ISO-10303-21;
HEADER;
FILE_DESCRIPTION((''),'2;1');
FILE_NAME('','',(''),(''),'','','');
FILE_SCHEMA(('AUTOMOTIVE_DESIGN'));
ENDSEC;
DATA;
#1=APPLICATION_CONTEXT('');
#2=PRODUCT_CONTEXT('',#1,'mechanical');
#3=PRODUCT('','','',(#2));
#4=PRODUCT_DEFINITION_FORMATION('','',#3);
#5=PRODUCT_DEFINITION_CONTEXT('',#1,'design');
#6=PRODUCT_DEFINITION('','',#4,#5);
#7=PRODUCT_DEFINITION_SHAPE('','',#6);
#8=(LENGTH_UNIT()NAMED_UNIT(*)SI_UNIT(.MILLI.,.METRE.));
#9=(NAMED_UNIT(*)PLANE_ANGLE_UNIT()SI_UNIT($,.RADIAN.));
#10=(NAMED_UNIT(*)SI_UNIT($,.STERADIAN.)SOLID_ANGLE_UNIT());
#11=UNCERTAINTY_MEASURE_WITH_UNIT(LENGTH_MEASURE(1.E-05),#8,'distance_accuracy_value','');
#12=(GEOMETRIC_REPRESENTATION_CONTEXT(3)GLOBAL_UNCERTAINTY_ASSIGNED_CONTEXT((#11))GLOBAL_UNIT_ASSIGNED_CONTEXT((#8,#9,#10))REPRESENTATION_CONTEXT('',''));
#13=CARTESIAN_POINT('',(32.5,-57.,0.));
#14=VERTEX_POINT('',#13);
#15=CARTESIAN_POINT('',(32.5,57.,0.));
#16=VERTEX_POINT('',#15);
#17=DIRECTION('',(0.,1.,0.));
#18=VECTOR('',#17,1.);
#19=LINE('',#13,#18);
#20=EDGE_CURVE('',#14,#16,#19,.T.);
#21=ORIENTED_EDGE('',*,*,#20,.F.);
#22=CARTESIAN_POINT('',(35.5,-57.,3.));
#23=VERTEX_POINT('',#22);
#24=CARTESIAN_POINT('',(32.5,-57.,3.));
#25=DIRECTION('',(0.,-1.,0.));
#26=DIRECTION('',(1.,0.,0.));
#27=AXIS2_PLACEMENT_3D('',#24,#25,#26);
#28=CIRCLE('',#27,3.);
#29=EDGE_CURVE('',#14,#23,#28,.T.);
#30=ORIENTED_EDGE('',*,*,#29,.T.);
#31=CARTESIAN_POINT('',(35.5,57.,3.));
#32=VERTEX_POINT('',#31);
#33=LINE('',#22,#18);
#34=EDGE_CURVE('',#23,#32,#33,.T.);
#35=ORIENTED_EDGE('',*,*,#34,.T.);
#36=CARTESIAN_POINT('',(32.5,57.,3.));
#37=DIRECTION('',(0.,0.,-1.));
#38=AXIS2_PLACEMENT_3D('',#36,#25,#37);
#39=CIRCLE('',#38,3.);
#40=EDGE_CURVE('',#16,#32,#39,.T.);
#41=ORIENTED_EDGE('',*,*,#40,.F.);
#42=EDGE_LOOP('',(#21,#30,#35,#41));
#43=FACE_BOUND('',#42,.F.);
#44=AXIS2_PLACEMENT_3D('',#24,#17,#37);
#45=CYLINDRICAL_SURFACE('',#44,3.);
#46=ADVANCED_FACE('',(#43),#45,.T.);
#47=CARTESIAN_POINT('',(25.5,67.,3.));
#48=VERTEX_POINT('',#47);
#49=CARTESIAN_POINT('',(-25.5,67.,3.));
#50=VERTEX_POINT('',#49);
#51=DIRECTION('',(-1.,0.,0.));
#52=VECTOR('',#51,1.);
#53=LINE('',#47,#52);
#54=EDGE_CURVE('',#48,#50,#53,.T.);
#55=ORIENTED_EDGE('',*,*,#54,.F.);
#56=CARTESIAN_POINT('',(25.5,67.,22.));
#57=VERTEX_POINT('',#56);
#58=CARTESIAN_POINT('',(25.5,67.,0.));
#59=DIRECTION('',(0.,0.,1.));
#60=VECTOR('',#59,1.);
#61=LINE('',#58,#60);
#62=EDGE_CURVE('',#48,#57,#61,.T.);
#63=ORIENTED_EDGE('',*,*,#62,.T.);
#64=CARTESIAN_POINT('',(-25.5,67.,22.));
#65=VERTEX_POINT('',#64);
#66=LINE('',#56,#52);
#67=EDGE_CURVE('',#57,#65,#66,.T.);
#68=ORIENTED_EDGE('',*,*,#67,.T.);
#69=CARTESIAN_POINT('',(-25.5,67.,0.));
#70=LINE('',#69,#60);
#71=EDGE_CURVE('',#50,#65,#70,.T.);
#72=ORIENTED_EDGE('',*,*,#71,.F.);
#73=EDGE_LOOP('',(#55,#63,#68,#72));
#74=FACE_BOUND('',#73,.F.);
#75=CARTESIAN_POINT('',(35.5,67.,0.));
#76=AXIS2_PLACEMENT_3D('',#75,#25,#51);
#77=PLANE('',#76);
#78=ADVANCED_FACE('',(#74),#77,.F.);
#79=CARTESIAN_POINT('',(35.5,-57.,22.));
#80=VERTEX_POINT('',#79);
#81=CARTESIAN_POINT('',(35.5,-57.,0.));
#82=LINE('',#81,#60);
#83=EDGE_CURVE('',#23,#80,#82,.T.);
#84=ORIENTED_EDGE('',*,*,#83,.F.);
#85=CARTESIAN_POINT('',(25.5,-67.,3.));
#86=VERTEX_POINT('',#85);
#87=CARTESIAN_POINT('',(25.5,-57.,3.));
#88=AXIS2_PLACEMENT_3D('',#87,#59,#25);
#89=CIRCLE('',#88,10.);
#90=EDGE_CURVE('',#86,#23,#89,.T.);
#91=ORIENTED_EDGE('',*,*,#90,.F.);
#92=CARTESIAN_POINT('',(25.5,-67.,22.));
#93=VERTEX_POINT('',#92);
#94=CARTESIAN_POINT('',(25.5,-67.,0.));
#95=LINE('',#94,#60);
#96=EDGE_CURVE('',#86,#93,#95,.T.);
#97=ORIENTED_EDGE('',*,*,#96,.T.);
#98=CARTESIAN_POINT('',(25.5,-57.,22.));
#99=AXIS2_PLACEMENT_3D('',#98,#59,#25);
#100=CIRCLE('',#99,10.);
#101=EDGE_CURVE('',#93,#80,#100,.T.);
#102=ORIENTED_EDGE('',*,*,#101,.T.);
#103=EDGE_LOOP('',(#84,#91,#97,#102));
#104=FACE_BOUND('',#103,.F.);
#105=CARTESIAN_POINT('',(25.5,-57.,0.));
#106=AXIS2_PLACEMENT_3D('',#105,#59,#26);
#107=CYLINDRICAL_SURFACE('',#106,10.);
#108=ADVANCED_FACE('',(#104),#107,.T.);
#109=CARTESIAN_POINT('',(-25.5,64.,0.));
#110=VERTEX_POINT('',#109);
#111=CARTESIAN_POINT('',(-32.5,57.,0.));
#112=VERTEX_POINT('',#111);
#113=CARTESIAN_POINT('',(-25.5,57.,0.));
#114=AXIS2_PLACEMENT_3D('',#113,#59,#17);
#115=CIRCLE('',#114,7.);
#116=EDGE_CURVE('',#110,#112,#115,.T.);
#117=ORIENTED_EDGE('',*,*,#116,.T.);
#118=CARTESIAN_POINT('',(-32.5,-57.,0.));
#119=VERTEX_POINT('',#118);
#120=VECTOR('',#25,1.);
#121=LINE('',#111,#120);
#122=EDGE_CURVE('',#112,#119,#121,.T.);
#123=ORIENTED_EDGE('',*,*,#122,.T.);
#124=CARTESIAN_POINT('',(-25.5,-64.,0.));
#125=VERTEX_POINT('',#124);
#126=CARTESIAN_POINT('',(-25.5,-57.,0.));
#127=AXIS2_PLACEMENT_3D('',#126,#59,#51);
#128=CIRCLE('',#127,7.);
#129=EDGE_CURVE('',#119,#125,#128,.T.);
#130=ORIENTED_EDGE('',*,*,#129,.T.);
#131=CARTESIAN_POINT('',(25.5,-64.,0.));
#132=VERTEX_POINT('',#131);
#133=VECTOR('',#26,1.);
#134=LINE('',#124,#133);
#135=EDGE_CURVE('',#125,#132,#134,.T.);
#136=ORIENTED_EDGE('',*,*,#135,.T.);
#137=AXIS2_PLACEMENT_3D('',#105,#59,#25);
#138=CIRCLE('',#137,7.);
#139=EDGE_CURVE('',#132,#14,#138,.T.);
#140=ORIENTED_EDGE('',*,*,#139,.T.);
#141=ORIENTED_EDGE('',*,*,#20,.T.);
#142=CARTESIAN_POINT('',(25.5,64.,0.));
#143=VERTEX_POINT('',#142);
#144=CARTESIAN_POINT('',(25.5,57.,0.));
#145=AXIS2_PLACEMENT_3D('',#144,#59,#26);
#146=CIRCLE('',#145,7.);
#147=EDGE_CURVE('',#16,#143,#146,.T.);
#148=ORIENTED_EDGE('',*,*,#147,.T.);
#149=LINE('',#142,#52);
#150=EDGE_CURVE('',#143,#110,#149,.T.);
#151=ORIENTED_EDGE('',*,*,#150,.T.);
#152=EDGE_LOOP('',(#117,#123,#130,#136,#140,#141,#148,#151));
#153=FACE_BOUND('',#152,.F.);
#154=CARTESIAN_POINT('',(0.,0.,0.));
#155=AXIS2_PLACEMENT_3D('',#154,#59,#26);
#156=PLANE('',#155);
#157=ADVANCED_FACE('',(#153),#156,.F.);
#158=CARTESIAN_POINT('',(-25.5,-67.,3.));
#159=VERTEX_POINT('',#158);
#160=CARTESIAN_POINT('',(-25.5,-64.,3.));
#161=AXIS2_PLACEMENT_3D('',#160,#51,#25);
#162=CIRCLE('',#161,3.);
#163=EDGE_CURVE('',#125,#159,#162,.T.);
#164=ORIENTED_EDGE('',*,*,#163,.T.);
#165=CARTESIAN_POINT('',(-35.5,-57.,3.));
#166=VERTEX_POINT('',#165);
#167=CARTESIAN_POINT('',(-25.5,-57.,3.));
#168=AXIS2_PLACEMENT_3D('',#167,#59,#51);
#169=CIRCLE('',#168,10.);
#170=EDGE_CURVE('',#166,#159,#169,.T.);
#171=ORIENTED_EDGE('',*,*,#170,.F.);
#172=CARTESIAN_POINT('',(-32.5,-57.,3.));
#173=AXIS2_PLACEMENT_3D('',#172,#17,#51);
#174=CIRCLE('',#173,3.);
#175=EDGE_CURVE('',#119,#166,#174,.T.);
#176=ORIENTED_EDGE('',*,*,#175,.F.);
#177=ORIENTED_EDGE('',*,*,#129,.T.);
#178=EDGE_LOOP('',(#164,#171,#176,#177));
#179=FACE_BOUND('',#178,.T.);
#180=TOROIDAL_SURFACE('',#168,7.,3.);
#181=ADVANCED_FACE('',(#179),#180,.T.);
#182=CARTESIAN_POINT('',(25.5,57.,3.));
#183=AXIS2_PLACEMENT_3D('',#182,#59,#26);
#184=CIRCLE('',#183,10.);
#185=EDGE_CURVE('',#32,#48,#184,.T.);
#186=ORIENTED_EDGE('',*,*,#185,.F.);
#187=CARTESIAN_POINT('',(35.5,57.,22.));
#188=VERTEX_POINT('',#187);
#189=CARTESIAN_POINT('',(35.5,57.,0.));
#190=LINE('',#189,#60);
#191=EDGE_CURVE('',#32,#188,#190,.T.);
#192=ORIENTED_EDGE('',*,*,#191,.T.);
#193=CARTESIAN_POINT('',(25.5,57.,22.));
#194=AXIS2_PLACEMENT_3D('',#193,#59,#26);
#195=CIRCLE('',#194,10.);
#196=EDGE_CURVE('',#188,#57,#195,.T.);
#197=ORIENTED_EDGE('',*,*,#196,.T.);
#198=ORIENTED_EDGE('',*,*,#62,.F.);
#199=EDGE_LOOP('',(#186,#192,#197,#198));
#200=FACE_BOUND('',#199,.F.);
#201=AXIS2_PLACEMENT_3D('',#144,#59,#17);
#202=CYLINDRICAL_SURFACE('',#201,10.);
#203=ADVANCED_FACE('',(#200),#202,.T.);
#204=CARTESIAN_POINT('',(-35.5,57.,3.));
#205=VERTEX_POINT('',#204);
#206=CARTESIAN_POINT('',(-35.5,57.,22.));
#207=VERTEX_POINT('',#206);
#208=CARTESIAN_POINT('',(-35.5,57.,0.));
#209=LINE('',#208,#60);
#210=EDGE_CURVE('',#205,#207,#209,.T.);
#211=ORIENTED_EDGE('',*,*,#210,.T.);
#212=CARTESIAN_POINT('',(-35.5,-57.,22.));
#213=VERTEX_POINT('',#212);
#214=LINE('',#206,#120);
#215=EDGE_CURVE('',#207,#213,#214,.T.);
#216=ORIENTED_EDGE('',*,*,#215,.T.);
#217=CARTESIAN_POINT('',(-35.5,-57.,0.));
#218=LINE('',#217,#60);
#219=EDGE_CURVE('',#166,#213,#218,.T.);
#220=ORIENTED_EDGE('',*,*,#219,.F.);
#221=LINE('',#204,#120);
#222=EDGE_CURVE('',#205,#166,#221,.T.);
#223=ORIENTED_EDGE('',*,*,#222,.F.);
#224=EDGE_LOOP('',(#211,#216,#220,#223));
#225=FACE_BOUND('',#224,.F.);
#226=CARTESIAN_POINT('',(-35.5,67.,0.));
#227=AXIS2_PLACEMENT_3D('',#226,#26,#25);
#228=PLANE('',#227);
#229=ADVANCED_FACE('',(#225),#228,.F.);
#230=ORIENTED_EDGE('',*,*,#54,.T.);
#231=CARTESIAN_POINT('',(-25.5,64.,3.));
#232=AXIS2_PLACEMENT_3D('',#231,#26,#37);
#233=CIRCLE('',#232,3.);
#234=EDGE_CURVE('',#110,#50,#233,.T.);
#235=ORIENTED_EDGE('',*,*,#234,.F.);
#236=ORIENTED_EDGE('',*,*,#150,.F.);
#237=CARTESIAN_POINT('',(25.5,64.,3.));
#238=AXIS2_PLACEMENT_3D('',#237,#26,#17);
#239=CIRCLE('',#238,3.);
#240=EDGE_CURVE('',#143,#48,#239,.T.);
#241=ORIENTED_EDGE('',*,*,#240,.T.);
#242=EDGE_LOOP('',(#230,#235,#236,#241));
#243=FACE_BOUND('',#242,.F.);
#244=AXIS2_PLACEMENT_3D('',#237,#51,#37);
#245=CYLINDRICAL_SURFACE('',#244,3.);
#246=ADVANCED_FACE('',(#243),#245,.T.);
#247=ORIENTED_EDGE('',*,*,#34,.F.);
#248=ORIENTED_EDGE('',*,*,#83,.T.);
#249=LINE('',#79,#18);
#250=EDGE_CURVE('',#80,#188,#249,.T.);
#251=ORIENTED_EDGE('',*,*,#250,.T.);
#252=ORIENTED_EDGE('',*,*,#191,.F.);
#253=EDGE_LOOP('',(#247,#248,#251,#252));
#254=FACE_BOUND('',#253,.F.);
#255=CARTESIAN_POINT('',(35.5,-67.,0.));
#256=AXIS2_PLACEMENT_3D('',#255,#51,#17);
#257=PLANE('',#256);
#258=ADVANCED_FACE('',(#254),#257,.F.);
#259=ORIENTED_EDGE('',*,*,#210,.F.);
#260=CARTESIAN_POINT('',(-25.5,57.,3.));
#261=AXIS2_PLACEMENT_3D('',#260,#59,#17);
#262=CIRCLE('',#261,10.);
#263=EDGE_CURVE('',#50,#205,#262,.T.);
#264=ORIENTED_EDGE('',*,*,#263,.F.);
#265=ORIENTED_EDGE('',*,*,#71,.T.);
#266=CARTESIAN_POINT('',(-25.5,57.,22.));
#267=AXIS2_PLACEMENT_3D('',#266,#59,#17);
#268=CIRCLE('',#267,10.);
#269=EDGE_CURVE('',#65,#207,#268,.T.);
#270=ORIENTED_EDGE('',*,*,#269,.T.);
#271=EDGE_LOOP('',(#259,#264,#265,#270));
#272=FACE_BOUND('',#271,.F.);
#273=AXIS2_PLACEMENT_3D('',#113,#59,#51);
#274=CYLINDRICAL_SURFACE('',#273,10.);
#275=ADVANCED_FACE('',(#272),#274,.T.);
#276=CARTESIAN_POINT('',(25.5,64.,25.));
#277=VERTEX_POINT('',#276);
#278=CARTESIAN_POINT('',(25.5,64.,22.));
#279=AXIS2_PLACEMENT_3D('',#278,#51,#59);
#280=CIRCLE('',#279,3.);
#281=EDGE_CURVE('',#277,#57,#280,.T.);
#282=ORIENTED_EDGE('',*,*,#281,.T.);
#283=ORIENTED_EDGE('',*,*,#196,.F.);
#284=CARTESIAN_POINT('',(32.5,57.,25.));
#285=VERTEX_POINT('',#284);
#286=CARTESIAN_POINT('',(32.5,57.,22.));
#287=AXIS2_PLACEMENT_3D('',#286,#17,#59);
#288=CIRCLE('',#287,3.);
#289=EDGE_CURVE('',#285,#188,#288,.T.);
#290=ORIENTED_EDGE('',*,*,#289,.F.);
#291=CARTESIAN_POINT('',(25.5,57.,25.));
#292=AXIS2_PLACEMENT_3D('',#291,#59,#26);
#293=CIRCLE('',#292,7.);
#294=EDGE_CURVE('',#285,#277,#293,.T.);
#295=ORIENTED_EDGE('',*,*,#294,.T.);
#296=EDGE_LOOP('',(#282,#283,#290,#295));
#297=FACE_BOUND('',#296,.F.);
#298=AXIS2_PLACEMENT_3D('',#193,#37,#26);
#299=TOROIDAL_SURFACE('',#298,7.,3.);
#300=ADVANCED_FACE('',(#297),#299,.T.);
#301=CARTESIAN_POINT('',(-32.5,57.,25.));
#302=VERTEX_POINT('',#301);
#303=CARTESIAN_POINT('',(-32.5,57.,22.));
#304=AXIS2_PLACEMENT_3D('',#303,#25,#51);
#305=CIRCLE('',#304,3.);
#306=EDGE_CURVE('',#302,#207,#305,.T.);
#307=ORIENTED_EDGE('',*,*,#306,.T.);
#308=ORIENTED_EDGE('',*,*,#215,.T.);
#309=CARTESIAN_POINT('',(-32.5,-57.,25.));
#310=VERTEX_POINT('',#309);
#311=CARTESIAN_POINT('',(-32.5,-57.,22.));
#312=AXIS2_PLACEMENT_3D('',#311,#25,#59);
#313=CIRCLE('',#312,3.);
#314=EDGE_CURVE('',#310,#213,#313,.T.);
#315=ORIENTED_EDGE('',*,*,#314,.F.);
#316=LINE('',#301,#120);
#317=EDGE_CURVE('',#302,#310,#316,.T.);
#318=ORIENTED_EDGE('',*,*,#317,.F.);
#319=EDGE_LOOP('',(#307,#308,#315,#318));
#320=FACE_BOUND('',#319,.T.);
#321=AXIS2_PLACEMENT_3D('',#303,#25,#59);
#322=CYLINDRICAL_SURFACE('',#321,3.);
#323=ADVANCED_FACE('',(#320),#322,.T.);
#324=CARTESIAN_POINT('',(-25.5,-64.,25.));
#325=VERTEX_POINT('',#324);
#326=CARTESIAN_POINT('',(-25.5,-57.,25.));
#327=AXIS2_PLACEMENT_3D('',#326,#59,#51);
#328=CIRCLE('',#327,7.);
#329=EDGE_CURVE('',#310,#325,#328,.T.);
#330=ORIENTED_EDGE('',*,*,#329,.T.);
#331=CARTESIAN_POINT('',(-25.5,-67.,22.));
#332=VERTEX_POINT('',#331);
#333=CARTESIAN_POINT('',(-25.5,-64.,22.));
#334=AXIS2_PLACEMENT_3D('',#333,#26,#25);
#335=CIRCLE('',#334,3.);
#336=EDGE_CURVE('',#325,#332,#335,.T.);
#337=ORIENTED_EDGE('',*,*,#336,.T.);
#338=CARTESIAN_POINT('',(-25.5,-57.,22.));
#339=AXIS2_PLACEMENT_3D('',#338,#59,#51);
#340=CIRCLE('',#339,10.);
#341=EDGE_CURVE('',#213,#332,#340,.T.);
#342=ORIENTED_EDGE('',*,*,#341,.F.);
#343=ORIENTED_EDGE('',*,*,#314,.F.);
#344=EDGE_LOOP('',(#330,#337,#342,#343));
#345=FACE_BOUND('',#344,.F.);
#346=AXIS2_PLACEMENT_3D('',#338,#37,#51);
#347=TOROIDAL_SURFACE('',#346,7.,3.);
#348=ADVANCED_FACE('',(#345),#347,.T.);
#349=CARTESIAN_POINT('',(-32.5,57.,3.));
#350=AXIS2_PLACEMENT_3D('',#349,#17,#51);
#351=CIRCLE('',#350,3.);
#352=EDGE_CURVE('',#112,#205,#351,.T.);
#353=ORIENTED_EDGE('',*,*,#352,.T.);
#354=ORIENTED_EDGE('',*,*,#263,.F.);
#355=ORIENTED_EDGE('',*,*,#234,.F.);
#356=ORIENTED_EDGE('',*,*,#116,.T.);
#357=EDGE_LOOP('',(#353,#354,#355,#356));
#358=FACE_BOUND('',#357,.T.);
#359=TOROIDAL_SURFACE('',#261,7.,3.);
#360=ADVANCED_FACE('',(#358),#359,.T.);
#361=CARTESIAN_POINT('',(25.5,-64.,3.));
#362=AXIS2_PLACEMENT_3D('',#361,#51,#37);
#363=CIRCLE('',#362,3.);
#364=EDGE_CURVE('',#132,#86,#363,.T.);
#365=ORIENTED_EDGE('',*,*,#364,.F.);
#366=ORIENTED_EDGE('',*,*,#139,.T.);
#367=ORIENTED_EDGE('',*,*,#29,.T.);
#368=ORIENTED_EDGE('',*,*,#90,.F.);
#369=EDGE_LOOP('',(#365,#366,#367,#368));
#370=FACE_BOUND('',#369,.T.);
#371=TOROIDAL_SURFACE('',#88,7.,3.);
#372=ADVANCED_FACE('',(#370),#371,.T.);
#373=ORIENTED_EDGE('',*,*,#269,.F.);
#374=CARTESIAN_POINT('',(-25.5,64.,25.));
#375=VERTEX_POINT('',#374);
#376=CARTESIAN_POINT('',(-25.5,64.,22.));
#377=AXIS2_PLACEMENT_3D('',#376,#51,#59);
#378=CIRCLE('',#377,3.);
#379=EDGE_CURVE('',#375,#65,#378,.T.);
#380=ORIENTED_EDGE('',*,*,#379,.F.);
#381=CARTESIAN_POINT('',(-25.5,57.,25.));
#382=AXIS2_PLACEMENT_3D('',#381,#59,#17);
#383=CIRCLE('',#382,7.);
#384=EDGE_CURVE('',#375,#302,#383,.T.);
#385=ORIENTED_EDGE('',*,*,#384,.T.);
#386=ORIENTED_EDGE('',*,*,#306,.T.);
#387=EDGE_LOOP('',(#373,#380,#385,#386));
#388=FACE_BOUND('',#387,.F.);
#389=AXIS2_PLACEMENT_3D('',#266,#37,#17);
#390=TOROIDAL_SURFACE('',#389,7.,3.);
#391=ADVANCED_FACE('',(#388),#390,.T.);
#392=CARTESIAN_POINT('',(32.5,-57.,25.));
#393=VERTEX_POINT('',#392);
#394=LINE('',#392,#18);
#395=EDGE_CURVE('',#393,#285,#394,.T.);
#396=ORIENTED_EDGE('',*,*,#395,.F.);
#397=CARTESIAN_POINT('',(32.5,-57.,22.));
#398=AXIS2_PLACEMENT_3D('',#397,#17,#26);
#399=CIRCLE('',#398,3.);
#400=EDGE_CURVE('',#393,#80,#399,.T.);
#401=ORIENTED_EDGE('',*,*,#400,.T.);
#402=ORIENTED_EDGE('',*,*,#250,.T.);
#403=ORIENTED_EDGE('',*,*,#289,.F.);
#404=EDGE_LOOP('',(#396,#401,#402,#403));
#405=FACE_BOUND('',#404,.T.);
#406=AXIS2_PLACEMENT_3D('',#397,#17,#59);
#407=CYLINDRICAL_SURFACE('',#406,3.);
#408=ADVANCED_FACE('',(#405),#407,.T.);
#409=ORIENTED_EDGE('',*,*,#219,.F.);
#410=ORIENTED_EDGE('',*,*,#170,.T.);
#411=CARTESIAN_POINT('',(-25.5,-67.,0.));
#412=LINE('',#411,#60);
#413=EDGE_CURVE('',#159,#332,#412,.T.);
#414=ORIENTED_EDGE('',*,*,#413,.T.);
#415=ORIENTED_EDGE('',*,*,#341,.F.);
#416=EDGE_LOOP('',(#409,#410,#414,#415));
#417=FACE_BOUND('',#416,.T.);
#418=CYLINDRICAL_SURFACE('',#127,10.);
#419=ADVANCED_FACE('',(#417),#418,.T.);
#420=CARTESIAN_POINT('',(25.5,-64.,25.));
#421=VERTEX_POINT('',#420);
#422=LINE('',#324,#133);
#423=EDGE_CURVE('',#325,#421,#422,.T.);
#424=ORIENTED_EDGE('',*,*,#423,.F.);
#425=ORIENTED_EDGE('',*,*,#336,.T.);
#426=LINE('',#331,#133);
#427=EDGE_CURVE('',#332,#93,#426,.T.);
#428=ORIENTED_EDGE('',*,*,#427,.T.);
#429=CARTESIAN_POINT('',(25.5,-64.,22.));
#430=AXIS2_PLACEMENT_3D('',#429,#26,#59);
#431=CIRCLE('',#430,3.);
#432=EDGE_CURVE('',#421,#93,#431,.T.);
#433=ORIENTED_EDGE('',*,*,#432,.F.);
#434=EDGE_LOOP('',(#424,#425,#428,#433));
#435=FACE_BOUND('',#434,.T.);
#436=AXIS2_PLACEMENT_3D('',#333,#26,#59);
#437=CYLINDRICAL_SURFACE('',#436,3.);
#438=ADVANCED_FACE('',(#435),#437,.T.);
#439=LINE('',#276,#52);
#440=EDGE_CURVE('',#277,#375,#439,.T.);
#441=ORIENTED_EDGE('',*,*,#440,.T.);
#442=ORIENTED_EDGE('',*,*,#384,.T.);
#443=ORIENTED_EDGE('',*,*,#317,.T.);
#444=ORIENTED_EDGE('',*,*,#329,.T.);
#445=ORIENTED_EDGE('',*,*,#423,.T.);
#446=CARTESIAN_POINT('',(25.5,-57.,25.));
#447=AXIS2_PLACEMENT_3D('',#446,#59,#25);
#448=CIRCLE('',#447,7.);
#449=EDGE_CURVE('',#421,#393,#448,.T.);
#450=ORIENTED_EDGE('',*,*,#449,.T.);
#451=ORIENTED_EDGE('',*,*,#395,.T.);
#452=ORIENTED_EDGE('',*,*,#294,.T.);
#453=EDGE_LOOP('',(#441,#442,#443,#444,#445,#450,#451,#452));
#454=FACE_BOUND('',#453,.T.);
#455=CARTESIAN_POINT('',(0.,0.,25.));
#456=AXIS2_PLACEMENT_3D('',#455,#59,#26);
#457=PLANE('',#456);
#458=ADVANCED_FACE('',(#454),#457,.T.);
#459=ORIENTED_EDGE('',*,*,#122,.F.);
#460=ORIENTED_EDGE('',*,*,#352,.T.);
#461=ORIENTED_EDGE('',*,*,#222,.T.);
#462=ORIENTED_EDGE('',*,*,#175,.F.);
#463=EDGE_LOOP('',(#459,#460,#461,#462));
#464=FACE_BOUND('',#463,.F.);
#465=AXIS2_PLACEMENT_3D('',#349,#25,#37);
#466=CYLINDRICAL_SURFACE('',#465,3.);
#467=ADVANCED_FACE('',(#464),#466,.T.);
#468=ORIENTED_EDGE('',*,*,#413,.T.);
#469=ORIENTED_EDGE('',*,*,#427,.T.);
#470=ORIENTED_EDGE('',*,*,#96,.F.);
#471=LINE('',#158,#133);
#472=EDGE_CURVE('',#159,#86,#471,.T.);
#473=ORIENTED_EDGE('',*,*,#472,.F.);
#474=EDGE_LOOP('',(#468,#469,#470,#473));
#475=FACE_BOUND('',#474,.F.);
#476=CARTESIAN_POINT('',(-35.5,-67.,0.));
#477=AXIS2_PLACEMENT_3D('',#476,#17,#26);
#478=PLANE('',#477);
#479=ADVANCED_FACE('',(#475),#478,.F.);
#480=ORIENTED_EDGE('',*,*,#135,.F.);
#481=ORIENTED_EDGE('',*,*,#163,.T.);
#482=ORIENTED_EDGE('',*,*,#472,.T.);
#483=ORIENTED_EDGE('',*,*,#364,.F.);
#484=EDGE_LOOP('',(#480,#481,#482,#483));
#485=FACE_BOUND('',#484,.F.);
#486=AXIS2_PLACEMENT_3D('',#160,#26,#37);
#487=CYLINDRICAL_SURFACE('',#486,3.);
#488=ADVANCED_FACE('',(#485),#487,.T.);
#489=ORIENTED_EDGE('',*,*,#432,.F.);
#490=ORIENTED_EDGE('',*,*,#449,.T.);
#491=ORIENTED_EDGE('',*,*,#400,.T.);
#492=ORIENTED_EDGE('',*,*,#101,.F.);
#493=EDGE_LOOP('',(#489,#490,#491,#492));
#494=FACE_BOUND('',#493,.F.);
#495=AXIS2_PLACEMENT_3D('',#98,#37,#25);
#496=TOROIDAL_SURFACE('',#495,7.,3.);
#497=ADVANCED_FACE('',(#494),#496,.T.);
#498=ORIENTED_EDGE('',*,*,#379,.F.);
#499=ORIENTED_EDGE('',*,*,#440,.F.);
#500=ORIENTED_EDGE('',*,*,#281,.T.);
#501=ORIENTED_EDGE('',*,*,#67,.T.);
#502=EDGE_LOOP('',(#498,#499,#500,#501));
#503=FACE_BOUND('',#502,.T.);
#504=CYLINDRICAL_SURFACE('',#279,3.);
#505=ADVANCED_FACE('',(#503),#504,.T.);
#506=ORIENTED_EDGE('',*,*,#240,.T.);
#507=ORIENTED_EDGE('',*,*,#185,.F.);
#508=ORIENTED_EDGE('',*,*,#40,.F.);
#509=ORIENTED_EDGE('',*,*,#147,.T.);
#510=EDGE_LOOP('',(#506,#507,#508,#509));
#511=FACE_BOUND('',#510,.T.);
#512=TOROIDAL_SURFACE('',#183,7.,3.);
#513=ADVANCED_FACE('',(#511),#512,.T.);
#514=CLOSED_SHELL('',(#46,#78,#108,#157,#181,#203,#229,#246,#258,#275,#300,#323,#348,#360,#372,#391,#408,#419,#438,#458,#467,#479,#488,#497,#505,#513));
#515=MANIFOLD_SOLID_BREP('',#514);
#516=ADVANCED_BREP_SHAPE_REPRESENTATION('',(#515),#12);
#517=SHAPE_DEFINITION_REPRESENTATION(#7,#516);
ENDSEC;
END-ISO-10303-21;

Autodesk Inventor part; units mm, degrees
ref_plane "YZ Plane" through (0, 0, 0) normal (1, 0, 0) x (0, 1, 0)
ref_plane "XZ Plane" through (0, 0, 0) normal (0, 1, 0) x (-1, 0, 0)
ref_plane "XY Plane" through (0, 0, 0) normal (0, 0, 1) x (1, 0, 0)
sketch "Sketch1" plane through (0, 0, 0) normal (0, 0, 1) x (1, 0, 0)
  line L0 (-35.5, -67) -> (35.5, -67)
  line L1 (35.5, -67) -> (35.5, 67)
  line L2 (35.5, 67) -> (-35.5, 67)
  line L3 (-35.5, 67) -> (-35.5, -67)
  line L4 (-35.5, -67) -> (35.5, 67) construction
  line L5 (35.5, -67) -> (-35.5, 67) construction
  point P0 (0, 0)
  dimension "d0" = 71
  dimension "d1" = 134
extrude "Extrusion1" add sketch "Sketch1" along normal blind 25
fillet "Fillet1" radius 10 4 edges at (-35.5, 67, 12.5) (35.5, 67, 12.5) (-35.5, -67, 12.5) (35.5, -67, 12.5)
fillet "Fillet2" radius 3 16 edges at (-32.5711, -64.0711, 0) (0, -67, 0) (32.5711, -64.0711, 0) (35.5, 0, 0) (32.5711, 64.0711, 0) (0, 67, 0) (-32.5711, 64.0711, 0) (-35.5, 0, 0) (0, 67, 25) (32.5711, 64.0711, 25) (35.5, 0, 25) (32.5711, -64.0711, 25) (0, -67, 25) (-32.5711, -64.0711, 25) (-35.5, 0, 25) (-32.5711, 64.0711, 25)
properties part number "powerbank" material "PC/ABS Plastic"
